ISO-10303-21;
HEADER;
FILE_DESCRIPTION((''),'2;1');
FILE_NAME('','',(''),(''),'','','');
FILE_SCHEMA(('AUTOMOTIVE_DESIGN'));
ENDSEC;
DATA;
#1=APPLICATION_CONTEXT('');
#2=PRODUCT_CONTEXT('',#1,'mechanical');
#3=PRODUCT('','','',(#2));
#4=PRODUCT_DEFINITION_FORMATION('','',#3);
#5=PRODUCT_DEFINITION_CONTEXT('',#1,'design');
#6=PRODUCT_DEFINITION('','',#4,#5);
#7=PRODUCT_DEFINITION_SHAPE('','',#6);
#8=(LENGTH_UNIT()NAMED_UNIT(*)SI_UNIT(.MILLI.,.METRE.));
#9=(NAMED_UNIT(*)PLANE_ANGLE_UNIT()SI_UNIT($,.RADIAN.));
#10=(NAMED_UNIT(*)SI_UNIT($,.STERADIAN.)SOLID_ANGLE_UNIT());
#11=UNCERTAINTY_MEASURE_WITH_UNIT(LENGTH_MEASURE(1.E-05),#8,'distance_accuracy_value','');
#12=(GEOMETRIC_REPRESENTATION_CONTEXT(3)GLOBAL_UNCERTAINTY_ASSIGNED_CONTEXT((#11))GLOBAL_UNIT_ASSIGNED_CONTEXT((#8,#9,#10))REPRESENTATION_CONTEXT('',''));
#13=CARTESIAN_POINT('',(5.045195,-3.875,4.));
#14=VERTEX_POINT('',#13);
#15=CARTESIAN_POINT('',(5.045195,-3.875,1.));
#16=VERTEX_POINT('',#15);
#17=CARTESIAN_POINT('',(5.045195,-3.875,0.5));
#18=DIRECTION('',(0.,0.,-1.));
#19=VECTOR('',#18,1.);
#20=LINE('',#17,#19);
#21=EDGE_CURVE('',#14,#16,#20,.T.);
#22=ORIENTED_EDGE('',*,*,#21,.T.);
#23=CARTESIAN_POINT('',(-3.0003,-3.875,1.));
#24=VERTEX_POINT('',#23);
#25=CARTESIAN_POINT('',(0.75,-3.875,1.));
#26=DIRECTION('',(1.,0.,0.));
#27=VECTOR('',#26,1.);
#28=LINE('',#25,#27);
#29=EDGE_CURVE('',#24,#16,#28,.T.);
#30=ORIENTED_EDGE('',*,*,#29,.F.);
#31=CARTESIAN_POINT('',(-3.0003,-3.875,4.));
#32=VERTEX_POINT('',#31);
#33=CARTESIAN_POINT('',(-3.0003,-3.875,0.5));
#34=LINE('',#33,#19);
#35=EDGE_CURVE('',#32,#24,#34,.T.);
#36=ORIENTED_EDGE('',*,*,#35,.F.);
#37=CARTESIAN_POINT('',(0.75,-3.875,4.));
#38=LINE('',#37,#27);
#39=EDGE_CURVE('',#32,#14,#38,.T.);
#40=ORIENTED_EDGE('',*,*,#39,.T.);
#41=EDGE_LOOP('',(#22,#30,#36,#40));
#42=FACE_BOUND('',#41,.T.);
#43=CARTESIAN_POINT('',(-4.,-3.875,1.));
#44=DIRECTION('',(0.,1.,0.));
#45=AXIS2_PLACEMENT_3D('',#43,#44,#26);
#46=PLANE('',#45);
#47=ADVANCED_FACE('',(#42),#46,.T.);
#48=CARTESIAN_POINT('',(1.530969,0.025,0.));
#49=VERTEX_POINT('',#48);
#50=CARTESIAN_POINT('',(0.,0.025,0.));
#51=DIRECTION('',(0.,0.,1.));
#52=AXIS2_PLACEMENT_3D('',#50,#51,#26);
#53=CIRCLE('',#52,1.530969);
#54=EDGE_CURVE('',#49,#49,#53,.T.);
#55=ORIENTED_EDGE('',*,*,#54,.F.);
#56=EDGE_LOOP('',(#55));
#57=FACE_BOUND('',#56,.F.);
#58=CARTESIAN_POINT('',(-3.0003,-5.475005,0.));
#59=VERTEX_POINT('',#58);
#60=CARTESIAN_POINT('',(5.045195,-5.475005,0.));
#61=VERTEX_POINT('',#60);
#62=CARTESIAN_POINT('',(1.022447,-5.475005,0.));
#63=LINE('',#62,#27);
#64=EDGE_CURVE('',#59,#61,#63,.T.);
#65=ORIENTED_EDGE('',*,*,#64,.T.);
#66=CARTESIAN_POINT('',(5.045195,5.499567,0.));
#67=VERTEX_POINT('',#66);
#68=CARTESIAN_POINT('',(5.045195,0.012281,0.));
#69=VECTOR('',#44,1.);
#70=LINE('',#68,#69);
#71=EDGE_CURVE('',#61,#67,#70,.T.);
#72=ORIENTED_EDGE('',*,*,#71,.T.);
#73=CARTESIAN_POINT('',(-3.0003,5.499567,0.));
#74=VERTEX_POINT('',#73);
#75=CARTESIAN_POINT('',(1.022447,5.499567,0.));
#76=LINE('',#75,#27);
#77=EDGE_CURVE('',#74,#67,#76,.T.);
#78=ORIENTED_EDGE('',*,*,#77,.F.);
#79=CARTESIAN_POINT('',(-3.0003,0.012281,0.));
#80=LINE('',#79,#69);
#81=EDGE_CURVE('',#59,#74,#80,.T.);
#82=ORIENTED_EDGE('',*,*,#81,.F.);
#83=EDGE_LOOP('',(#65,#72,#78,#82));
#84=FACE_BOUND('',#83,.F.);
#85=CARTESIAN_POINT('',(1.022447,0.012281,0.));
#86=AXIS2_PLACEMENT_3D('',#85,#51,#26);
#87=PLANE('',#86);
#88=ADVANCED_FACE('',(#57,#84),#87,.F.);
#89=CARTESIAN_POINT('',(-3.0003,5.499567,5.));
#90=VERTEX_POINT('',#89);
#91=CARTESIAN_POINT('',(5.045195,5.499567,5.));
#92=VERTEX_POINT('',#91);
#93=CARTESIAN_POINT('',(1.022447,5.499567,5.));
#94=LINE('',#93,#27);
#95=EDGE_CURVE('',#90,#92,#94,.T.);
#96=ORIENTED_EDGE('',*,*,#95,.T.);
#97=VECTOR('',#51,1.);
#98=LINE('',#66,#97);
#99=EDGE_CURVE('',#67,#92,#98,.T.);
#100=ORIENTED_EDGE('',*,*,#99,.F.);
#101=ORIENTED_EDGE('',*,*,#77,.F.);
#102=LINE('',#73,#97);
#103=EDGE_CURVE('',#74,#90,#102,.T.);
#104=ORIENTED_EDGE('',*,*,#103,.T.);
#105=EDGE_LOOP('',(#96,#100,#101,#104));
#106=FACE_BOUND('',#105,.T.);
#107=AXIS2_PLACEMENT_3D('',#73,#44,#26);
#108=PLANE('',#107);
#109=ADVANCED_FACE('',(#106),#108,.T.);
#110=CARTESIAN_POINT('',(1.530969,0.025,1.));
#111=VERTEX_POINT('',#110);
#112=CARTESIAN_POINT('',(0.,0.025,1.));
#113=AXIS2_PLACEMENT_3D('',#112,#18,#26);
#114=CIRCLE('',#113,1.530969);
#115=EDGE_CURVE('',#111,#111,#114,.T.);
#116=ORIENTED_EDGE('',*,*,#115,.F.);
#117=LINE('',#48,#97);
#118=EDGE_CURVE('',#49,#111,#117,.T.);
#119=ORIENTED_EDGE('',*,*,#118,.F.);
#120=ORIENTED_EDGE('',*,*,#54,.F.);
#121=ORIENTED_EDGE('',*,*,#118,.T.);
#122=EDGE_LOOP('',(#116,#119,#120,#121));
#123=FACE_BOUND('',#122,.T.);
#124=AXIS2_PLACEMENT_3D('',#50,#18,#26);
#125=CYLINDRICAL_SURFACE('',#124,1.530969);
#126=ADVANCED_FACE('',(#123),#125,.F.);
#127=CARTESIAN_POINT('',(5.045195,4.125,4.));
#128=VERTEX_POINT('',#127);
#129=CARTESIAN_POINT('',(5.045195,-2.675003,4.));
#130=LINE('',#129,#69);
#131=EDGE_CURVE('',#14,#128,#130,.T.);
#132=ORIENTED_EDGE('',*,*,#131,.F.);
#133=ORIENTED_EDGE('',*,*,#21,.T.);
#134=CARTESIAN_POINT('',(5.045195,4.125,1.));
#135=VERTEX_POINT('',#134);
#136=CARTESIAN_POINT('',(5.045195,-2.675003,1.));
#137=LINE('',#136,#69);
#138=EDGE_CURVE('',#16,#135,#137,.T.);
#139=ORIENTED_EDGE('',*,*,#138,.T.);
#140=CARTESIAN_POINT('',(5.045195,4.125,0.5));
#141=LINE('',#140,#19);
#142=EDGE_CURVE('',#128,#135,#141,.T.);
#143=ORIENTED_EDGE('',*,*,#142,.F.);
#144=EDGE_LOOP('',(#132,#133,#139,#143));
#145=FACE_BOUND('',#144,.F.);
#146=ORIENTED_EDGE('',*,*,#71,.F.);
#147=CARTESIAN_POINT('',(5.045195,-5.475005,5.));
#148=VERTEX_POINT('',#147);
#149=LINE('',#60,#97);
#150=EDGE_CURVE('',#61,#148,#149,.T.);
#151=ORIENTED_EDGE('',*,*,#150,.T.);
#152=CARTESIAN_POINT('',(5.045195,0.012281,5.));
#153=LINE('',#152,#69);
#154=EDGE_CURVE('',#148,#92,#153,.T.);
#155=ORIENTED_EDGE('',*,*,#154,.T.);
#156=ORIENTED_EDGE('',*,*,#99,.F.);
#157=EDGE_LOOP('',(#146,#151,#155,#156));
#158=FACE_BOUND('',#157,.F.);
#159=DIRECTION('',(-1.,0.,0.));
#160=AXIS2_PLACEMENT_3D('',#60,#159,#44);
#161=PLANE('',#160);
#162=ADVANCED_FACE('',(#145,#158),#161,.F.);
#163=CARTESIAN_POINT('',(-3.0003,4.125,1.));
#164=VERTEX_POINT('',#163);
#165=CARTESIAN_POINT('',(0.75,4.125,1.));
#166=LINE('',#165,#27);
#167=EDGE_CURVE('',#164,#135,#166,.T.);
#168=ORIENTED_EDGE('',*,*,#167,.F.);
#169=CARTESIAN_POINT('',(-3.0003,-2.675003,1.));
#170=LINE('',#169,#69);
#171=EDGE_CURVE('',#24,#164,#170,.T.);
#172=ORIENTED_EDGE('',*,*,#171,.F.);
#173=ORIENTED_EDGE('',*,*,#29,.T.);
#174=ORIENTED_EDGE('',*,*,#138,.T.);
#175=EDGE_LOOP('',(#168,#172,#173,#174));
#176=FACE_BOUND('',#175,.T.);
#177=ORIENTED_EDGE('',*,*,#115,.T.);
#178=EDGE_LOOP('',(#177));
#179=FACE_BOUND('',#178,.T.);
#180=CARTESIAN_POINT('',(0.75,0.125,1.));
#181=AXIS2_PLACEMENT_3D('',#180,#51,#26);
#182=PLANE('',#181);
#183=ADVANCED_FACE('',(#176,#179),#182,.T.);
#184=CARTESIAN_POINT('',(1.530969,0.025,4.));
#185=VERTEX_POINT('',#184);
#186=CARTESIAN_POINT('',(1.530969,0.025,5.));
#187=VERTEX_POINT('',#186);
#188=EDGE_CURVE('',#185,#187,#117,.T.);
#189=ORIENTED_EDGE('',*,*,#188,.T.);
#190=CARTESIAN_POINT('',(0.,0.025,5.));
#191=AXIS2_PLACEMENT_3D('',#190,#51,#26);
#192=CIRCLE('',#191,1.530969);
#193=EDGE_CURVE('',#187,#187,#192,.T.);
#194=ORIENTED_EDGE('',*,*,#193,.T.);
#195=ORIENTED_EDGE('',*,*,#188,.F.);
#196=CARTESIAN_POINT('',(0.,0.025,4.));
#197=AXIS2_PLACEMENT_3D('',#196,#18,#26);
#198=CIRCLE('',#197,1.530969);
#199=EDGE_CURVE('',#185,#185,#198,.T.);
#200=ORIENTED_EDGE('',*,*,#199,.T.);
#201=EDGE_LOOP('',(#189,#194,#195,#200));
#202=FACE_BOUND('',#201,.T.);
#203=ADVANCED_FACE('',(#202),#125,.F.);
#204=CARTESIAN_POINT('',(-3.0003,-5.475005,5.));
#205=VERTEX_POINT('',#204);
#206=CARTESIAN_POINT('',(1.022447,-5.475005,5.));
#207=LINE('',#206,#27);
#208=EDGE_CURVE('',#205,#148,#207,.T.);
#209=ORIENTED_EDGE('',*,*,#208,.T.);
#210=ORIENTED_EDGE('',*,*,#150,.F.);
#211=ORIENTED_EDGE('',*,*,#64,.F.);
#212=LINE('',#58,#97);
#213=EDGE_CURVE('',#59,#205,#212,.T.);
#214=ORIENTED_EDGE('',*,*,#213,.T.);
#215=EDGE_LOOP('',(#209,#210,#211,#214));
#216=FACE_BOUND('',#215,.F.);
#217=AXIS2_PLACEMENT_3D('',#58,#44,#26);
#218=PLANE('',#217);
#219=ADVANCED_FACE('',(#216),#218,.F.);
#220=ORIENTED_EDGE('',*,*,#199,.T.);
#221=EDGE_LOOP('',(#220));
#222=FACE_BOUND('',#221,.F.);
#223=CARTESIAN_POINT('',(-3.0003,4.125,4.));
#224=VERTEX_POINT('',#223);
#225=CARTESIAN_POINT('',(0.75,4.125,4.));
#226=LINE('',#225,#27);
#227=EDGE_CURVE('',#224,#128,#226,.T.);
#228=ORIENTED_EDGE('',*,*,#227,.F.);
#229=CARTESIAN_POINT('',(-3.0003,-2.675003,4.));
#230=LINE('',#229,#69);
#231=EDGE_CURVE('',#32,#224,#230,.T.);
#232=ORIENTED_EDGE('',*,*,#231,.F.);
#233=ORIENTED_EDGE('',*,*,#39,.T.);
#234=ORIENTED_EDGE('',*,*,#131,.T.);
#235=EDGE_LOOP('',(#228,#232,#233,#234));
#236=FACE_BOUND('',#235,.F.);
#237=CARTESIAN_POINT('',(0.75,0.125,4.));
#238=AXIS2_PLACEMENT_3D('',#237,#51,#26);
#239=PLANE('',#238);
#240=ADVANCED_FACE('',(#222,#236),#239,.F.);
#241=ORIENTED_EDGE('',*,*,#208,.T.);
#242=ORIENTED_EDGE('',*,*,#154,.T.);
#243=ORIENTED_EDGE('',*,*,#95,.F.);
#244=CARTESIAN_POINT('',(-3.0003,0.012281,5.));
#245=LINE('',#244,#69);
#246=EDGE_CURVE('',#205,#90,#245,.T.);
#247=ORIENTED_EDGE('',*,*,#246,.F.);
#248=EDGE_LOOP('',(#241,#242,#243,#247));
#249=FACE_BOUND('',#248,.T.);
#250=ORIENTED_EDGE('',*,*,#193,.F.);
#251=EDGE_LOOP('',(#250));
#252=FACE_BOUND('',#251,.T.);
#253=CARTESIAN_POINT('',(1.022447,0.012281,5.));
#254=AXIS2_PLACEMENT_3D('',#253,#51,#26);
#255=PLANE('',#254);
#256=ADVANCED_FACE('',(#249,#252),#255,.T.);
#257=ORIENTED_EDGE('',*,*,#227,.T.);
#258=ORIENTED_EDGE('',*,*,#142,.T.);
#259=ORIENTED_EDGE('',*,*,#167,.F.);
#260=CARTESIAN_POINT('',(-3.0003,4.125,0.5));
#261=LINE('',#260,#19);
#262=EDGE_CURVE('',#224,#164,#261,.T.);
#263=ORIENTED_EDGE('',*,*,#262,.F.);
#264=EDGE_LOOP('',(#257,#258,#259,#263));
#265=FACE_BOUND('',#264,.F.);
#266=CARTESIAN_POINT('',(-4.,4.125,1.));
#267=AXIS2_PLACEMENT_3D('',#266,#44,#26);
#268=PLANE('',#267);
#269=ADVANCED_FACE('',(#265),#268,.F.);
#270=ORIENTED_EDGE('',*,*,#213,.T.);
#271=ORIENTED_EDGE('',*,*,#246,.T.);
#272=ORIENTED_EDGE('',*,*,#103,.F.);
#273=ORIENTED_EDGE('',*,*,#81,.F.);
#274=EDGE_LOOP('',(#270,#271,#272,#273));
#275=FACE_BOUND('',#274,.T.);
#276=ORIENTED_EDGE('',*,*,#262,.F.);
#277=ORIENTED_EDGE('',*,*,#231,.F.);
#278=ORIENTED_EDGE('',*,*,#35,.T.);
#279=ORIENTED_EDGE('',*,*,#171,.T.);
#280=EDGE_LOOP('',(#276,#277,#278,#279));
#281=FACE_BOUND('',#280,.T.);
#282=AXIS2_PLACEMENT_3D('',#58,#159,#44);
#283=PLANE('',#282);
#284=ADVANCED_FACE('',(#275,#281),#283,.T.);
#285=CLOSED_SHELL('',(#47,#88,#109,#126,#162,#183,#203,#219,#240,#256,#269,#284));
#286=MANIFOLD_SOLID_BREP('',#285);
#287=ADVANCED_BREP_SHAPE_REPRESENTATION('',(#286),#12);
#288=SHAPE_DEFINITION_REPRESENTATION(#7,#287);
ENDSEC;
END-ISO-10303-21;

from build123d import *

# Parameters (mm, degrees)
BOX002_W     = 9.5
BOX002_H     = 8
BOX002_DEPTH = 3
SKETCH008_W  = 8.045495
SKETCH008_H  = 10.974572
SKETCH008_R  = 1.530969
PAD008_DEPTH = 5


with BuildPart() as body046:
    # Box002 → Box002 (new body)
    with BuildSketch(Plane.XY):
        with Locations((4.75, 4)):
            Rectangle(BOX002_W, BOX002_H)
    extrude(amount=BOX002_DEPTH)


with BuildPart() as body046_1:
    # Body046 placement: moved
    add(body046.part.moved(Location((-4, -3.9, 1))))


with BuildPart() as cut006:
    # Sketch008 → Pad008 (new body)
    with BuildSketch(Plane.XY):
        with Locations((1.022447, -0.012719)):
            Rectangle(SKETCH008_W, SKETCH008_H)
        Circle(SKETCH008_R, mode=Mode.SUBTRACT)
    extrude(amount=PAD008_DEPTH)

    # Cut006: cut Body046
    add(body046_1.part, mode=Mode.SUBTRACT)


with BuildPart() as cut006_1:
    # Cut006 placement: moved
    add(cut006.part.moved(Location((0, 0.025, 0))))


solid = cut006_1.part
